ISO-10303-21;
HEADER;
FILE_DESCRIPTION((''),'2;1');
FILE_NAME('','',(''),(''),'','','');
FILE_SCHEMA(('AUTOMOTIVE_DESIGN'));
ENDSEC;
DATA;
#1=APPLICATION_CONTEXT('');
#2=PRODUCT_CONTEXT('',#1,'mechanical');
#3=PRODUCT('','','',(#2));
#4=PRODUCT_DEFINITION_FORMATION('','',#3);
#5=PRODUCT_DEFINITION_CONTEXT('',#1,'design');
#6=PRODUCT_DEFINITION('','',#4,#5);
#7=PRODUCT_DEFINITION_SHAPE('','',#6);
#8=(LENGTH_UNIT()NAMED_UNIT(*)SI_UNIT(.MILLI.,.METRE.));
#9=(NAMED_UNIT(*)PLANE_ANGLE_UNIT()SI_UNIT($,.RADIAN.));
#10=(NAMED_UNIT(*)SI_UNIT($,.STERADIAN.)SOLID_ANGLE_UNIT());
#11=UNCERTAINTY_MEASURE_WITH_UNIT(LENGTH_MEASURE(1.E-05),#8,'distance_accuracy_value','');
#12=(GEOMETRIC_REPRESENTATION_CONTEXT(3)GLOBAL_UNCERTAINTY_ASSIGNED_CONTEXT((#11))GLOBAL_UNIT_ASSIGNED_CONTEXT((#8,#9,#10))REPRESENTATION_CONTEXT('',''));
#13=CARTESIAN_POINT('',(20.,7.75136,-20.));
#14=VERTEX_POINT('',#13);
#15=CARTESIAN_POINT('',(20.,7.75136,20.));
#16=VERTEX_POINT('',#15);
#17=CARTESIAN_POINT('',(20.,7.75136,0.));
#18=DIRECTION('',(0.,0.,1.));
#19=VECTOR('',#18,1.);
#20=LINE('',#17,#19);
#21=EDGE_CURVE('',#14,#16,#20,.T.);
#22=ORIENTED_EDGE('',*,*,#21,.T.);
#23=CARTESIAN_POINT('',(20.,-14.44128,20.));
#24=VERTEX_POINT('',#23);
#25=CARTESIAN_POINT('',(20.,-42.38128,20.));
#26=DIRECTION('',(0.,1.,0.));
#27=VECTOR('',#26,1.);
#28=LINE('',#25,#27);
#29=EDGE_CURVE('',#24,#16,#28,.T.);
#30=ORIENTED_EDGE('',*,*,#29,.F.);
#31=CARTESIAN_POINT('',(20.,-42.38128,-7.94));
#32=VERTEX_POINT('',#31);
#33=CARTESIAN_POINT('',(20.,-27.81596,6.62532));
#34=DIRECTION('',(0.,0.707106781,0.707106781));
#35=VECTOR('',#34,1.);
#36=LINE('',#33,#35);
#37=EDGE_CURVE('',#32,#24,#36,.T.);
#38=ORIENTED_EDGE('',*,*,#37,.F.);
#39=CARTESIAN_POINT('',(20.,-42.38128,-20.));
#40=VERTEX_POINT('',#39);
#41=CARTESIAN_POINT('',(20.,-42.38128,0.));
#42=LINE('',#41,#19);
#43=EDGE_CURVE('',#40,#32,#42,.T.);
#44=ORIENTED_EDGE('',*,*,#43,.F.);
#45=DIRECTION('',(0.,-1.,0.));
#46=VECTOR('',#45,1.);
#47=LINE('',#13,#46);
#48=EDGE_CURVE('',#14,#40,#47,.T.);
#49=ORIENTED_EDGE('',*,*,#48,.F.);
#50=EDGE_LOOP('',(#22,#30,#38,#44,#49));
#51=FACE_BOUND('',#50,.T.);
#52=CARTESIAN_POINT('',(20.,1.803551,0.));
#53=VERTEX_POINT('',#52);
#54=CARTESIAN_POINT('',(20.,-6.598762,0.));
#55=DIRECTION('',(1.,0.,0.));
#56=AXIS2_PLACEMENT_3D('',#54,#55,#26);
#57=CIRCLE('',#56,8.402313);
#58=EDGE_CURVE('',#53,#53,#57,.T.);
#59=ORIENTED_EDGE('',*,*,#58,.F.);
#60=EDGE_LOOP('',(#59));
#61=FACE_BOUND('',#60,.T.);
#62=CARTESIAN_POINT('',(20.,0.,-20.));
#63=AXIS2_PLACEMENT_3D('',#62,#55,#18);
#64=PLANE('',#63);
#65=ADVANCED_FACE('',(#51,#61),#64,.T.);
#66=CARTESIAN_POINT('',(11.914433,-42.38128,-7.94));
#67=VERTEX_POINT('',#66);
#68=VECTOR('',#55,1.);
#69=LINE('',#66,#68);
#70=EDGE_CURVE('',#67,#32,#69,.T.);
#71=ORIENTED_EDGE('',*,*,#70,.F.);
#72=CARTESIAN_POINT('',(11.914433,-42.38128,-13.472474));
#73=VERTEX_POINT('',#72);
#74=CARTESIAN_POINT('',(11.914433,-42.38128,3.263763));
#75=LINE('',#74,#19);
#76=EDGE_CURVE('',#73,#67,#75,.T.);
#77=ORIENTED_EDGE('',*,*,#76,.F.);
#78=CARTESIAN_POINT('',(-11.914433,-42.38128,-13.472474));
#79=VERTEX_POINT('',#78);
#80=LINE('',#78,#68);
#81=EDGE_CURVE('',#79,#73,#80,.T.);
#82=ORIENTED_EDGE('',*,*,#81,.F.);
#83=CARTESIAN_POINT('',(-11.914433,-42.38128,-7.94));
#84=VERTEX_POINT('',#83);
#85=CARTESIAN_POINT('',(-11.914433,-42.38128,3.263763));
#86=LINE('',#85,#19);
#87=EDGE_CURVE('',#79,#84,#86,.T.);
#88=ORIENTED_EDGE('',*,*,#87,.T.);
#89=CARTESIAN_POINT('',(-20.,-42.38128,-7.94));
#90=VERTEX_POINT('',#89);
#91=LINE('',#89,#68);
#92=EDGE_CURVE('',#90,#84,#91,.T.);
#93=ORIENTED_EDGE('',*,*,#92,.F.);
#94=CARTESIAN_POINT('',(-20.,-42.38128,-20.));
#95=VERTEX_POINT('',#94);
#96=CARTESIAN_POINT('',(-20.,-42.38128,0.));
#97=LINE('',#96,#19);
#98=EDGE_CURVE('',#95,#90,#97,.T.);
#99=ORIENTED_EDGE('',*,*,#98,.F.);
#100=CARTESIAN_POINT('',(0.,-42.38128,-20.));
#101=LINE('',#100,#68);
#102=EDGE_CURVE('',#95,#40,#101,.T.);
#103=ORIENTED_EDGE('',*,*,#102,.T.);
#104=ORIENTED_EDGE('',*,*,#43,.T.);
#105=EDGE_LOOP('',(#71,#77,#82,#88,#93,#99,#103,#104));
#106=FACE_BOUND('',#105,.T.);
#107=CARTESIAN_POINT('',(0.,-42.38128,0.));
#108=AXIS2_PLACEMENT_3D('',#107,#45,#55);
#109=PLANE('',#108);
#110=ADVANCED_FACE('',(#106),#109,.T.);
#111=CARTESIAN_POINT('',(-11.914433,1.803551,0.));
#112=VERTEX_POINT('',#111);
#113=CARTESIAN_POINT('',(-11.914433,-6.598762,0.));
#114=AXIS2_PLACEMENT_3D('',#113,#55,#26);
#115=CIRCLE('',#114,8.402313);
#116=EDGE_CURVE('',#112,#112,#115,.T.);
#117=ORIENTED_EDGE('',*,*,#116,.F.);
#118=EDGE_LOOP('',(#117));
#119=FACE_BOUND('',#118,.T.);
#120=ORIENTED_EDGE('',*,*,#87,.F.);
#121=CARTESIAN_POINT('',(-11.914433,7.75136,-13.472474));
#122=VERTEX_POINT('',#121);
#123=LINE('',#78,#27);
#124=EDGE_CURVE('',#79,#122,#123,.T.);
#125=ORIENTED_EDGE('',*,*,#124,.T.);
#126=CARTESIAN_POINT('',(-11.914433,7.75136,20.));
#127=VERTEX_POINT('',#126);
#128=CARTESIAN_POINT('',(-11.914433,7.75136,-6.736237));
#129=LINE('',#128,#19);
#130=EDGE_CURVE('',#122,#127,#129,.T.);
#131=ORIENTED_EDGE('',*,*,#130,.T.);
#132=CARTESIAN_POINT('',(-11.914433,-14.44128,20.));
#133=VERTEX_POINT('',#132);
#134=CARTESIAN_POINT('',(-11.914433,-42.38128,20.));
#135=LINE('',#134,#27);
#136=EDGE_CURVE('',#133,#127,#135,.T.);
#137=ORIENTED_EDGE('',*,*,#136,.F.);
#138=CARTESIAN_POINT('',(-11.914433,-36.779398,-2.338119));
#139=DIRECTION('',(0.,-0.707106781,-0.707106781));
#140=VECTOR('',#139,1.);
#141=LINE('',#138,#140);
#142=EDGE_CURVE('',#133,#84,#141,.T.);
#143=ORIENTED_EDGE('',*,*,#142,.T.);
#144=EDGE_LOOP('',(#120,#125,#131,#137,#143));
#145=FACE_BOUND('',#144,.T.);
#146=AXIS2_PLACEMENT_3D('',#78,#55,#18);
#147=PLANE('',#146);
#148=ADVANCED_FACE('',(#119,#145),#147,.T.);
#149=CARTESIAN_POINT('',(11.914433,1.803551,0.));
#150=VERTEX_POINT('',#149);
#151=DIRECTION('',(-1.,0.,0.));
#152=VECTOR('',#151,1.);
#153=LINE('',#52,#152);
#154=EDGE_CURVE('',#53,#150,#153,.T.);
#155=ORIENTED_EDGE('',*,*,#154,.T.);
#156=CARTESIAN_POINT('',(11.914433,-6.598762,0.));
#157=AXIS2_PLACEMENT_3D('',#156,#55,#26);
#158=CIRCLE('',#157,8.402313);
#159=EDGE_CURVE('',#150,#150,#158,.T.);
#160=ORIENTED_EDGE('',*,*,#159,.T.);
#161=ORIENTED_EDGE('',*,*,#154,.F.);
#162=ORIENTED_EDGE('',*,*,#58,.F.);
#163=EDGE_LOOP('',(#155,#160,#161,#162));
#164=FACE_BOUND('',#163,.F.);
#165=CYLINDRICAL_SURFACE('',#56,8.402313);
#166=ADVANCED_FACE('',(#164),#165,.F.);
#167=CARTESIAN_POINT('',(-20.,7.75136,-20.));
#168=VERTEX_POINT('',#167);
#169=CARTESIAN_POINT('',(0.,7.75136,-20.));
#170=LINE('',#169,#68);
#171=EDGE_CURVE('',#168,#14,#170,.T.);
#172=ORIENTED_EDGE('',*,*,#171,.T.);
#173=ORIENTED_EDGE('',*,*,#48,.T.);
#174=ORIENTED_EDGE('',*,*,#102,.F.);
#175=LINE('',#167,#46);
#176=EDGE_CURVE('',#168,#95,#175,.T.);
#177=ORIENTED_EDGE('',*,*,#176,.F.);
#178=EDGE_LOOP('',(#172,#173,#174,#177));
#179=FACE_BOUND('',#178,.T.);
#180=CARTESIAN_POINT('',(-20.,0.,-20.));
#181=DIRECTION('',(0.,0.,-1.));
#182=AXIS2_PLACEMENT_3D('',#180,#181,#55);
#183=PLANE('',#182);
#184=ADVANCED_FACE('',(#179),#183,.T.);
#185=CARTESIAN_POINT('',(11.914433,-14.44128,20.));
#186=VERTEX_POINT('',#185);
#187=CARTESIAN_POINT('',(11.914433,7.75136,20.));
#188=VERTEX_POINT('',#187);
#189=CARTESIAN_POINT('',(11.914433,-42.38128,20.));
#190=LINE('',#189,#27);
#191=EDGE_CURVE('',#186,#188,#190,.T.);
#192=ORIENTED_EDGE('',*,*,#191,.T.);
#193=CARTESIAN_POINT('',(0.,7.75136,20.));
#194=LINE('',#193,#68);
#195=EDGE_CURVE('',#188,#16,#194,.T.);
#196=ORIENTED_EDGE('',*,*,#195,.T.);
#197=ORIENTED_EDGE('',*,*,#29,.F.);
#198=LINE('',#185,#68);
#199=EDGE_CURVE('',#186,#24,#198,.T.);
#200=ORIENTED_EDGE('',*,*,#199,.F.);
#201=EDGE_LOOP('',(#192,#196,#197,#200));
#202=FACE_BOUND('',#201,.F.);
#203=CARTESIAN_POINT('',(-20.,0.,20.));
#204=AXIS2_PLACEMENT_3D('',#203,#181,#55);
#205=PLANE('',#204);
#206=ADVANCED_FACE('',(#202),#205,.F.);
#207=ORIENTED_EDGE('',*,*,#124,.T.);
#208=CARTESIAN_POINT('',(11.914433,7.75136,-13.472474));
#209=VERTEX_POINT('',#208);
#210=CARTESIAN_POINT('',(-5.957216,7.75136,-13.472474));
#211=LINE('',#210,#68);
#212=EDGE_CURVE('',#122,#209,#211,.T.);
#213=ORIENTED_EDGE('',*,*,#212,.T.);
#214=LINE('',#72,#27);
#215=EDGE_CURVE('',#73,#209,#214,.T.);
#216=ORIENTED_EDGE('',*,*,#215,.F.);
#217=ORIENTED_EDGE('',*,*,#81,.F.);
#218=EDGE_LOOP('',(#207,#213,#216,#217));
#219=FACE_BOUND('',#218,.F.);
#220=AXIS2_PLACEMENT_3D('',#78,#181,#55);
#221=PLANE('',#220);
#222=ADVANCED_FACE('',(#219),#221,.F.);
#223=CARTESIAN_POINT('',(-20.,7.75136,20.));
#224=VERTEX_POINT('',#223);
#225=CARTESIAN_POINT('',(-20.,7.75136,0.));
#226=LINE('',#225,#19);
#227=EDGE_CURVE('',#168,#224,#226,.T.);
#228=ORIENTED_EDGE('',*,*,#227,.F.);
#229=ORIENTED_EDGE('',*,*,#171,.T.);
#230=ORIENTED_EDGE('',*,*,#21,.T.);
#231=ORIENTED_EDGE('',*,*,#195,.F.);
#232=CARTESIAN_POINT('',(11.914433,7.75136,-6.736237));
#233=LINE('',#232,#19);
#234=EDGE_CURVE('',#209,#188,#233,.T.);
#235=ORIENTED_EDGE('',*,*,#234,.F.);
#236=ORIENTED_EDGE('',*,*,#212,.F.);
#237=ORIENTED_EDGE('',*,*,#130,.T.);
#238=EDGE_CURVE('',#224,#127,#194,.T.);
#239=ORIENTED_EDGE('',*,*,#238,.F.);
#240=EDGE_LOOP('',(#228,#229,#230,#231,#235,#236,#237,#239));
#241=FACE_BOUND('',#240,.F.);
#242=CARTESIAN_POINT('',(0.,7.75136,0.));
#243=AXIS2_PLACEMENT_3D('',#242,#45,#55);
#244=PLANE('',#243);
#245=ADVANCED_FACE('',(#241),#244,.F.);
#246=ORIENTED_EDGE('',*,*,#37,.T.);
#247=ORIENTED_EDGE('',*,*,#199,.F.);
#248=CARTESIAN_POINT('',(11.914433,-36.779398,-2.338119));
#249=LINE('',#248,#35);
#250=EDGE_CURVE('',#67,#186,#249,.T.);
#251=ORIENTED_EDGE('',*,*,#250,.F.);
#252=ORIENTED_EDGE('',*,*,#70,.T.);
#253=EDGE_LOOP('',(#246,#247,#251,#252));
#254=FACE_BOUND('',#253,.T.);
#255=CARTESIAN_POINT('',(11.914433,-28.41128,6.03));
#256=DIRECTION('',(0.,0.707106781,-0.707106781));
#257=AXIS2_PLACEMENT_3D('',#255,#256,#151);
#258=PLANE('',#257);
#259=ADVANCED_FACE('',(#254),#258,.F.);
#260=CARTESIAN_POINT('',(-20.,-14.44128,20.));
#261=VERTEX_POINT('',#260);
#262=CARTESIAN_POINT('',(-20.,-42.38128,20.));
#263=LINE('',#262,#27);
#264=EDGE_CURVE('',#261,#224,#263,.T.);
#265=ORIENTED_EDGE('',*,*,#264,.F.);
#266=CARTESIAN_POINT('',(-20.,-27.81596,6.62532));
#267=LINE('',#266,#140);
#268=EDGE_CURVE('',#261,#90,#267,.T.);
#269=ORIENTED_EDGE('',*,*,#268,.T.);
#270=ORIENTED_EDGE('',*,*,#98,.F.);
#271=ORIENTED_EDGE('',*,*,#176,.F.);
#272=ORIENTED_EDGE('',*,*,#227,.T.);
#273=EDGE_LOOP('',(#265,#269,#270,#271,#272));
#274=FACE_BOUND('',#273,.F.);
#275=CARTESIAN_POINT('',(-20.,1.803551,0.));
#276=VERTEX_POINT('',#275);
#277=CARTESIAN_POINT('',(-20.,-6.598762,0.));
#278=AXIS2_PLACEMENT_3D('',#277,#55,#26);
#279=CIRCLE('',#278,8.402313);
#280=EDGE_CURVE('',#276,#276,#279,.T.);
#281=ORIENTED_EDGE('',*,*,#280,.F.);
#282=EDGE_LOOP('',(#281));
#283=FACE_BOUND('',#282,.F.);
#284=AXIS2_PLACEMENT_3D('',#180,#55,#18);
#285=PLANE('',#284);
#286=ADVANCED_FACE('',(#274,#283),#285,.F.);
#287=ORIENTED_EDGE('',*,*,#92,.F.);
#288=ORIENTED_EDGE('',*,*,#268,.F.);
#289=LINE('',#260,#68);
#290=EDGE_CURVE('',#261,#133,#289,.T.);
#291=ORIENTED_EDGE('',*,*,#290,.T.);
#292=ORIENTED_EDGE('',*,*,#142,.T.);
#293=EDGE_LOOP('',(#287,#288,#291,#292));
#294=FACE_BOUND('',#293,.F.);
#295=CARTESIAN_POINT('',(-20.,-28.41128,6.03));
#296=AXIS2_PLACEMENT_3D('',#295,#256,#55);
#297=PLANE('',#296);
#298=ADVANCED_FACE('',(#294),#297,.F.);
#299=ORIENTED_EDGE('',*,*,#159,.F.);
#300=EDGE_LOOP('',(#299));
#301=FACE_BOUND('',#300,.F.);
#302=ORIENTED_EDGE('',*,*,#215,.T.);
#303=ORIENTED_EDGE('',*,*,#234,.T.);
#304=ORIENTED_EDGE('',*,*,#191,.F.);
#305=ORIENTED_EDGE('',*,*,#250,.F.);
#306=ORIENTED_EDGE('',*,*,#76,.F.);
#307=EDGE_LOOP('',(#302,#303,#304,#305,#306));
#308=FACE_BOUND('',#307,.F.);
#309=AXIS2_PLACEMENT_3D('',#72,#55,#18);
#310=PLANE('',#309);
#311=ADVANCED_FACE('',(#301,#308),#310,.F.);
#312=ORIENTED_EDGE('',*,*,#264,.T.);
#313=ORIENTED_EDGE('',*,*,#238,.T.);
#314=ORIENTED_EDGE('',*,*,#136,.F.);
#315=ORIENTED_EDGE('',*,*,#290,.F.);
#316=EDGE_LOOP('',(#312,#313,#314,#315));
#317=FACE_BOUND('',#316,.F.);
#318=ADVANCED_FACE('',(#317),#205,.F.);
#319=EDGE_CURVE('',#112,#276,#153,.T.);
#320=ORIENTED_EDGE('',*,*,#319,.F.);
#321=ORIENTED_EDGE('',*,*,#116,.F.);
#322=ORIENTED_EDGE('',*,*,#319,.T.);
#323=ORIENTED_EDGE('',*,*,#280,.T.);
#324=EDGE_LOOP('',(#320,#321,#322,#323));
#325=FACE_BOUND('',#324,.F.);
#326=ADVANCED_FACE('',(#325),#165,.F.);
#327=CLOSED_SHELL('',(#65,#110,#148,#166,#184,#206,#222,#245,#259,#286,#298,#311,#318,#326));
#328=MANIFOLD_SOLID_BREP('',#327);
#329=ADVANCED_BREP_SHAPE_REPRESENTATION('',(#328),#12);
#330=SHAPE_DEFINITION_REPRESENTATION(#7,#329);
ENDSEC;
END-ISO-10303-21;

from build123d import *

# Parameters (mm, degrees)
F0_W          = 40
F0_H          = 40
F1_DEPTH      = 42.38128
F1_DEPTH_BACK = 7.75136
F2_W          = 11.914433
F2_H          = 33.472474
F3_DEPTH      = 52.48423
F4_SIZE       = 27.94
F5_R          = 8.402313
F6_DEPTH      = 40


with BuildPart() as f1:
    # F0 (on Front) → F1 (new body, two sides)
    with BuildSketch(Plane.XZ) as f1_sk:
        Rectangle(F0_W, F0_H)
    extrude(amount=F1_DEPTH)
    extrude(f1_sk.sketch, amount=-F1_DEPTH_BACK)

    # F2 (on face) → F3 (cut)
    with BuildSketch(Plane.XZ.offset(42.38128)):
        with Locations((-5.957216, 3.263763)):
            Rectangle(F2_W, F2_H)
        with Locations((5.957216, 3.263763)):
            Rectangle(F2_W, F2_H)
    extrude(amount=-F3_DEPTH, mode=Mode.SUBTRACT)

    # F4
    f4_edges = [f1.edges().sort_by_distance(p)[0] for p in [
        (-15.957216, -42.38128, 20),
        (15.957216, -42.38128, 20),
    ]]
    chamfer(f4_edges, length=F4_SIZE)

    # F5 (on face) → F6 (cut)
    with BuildSketch(Plane.YZ.offset(20)):
        with Locations((-6.598762, 0)):
            Circle(F5_R)
    extrude(amount=-F6_DEPTH, mode=Mode.SUBTRACT)


solid = f1.part
